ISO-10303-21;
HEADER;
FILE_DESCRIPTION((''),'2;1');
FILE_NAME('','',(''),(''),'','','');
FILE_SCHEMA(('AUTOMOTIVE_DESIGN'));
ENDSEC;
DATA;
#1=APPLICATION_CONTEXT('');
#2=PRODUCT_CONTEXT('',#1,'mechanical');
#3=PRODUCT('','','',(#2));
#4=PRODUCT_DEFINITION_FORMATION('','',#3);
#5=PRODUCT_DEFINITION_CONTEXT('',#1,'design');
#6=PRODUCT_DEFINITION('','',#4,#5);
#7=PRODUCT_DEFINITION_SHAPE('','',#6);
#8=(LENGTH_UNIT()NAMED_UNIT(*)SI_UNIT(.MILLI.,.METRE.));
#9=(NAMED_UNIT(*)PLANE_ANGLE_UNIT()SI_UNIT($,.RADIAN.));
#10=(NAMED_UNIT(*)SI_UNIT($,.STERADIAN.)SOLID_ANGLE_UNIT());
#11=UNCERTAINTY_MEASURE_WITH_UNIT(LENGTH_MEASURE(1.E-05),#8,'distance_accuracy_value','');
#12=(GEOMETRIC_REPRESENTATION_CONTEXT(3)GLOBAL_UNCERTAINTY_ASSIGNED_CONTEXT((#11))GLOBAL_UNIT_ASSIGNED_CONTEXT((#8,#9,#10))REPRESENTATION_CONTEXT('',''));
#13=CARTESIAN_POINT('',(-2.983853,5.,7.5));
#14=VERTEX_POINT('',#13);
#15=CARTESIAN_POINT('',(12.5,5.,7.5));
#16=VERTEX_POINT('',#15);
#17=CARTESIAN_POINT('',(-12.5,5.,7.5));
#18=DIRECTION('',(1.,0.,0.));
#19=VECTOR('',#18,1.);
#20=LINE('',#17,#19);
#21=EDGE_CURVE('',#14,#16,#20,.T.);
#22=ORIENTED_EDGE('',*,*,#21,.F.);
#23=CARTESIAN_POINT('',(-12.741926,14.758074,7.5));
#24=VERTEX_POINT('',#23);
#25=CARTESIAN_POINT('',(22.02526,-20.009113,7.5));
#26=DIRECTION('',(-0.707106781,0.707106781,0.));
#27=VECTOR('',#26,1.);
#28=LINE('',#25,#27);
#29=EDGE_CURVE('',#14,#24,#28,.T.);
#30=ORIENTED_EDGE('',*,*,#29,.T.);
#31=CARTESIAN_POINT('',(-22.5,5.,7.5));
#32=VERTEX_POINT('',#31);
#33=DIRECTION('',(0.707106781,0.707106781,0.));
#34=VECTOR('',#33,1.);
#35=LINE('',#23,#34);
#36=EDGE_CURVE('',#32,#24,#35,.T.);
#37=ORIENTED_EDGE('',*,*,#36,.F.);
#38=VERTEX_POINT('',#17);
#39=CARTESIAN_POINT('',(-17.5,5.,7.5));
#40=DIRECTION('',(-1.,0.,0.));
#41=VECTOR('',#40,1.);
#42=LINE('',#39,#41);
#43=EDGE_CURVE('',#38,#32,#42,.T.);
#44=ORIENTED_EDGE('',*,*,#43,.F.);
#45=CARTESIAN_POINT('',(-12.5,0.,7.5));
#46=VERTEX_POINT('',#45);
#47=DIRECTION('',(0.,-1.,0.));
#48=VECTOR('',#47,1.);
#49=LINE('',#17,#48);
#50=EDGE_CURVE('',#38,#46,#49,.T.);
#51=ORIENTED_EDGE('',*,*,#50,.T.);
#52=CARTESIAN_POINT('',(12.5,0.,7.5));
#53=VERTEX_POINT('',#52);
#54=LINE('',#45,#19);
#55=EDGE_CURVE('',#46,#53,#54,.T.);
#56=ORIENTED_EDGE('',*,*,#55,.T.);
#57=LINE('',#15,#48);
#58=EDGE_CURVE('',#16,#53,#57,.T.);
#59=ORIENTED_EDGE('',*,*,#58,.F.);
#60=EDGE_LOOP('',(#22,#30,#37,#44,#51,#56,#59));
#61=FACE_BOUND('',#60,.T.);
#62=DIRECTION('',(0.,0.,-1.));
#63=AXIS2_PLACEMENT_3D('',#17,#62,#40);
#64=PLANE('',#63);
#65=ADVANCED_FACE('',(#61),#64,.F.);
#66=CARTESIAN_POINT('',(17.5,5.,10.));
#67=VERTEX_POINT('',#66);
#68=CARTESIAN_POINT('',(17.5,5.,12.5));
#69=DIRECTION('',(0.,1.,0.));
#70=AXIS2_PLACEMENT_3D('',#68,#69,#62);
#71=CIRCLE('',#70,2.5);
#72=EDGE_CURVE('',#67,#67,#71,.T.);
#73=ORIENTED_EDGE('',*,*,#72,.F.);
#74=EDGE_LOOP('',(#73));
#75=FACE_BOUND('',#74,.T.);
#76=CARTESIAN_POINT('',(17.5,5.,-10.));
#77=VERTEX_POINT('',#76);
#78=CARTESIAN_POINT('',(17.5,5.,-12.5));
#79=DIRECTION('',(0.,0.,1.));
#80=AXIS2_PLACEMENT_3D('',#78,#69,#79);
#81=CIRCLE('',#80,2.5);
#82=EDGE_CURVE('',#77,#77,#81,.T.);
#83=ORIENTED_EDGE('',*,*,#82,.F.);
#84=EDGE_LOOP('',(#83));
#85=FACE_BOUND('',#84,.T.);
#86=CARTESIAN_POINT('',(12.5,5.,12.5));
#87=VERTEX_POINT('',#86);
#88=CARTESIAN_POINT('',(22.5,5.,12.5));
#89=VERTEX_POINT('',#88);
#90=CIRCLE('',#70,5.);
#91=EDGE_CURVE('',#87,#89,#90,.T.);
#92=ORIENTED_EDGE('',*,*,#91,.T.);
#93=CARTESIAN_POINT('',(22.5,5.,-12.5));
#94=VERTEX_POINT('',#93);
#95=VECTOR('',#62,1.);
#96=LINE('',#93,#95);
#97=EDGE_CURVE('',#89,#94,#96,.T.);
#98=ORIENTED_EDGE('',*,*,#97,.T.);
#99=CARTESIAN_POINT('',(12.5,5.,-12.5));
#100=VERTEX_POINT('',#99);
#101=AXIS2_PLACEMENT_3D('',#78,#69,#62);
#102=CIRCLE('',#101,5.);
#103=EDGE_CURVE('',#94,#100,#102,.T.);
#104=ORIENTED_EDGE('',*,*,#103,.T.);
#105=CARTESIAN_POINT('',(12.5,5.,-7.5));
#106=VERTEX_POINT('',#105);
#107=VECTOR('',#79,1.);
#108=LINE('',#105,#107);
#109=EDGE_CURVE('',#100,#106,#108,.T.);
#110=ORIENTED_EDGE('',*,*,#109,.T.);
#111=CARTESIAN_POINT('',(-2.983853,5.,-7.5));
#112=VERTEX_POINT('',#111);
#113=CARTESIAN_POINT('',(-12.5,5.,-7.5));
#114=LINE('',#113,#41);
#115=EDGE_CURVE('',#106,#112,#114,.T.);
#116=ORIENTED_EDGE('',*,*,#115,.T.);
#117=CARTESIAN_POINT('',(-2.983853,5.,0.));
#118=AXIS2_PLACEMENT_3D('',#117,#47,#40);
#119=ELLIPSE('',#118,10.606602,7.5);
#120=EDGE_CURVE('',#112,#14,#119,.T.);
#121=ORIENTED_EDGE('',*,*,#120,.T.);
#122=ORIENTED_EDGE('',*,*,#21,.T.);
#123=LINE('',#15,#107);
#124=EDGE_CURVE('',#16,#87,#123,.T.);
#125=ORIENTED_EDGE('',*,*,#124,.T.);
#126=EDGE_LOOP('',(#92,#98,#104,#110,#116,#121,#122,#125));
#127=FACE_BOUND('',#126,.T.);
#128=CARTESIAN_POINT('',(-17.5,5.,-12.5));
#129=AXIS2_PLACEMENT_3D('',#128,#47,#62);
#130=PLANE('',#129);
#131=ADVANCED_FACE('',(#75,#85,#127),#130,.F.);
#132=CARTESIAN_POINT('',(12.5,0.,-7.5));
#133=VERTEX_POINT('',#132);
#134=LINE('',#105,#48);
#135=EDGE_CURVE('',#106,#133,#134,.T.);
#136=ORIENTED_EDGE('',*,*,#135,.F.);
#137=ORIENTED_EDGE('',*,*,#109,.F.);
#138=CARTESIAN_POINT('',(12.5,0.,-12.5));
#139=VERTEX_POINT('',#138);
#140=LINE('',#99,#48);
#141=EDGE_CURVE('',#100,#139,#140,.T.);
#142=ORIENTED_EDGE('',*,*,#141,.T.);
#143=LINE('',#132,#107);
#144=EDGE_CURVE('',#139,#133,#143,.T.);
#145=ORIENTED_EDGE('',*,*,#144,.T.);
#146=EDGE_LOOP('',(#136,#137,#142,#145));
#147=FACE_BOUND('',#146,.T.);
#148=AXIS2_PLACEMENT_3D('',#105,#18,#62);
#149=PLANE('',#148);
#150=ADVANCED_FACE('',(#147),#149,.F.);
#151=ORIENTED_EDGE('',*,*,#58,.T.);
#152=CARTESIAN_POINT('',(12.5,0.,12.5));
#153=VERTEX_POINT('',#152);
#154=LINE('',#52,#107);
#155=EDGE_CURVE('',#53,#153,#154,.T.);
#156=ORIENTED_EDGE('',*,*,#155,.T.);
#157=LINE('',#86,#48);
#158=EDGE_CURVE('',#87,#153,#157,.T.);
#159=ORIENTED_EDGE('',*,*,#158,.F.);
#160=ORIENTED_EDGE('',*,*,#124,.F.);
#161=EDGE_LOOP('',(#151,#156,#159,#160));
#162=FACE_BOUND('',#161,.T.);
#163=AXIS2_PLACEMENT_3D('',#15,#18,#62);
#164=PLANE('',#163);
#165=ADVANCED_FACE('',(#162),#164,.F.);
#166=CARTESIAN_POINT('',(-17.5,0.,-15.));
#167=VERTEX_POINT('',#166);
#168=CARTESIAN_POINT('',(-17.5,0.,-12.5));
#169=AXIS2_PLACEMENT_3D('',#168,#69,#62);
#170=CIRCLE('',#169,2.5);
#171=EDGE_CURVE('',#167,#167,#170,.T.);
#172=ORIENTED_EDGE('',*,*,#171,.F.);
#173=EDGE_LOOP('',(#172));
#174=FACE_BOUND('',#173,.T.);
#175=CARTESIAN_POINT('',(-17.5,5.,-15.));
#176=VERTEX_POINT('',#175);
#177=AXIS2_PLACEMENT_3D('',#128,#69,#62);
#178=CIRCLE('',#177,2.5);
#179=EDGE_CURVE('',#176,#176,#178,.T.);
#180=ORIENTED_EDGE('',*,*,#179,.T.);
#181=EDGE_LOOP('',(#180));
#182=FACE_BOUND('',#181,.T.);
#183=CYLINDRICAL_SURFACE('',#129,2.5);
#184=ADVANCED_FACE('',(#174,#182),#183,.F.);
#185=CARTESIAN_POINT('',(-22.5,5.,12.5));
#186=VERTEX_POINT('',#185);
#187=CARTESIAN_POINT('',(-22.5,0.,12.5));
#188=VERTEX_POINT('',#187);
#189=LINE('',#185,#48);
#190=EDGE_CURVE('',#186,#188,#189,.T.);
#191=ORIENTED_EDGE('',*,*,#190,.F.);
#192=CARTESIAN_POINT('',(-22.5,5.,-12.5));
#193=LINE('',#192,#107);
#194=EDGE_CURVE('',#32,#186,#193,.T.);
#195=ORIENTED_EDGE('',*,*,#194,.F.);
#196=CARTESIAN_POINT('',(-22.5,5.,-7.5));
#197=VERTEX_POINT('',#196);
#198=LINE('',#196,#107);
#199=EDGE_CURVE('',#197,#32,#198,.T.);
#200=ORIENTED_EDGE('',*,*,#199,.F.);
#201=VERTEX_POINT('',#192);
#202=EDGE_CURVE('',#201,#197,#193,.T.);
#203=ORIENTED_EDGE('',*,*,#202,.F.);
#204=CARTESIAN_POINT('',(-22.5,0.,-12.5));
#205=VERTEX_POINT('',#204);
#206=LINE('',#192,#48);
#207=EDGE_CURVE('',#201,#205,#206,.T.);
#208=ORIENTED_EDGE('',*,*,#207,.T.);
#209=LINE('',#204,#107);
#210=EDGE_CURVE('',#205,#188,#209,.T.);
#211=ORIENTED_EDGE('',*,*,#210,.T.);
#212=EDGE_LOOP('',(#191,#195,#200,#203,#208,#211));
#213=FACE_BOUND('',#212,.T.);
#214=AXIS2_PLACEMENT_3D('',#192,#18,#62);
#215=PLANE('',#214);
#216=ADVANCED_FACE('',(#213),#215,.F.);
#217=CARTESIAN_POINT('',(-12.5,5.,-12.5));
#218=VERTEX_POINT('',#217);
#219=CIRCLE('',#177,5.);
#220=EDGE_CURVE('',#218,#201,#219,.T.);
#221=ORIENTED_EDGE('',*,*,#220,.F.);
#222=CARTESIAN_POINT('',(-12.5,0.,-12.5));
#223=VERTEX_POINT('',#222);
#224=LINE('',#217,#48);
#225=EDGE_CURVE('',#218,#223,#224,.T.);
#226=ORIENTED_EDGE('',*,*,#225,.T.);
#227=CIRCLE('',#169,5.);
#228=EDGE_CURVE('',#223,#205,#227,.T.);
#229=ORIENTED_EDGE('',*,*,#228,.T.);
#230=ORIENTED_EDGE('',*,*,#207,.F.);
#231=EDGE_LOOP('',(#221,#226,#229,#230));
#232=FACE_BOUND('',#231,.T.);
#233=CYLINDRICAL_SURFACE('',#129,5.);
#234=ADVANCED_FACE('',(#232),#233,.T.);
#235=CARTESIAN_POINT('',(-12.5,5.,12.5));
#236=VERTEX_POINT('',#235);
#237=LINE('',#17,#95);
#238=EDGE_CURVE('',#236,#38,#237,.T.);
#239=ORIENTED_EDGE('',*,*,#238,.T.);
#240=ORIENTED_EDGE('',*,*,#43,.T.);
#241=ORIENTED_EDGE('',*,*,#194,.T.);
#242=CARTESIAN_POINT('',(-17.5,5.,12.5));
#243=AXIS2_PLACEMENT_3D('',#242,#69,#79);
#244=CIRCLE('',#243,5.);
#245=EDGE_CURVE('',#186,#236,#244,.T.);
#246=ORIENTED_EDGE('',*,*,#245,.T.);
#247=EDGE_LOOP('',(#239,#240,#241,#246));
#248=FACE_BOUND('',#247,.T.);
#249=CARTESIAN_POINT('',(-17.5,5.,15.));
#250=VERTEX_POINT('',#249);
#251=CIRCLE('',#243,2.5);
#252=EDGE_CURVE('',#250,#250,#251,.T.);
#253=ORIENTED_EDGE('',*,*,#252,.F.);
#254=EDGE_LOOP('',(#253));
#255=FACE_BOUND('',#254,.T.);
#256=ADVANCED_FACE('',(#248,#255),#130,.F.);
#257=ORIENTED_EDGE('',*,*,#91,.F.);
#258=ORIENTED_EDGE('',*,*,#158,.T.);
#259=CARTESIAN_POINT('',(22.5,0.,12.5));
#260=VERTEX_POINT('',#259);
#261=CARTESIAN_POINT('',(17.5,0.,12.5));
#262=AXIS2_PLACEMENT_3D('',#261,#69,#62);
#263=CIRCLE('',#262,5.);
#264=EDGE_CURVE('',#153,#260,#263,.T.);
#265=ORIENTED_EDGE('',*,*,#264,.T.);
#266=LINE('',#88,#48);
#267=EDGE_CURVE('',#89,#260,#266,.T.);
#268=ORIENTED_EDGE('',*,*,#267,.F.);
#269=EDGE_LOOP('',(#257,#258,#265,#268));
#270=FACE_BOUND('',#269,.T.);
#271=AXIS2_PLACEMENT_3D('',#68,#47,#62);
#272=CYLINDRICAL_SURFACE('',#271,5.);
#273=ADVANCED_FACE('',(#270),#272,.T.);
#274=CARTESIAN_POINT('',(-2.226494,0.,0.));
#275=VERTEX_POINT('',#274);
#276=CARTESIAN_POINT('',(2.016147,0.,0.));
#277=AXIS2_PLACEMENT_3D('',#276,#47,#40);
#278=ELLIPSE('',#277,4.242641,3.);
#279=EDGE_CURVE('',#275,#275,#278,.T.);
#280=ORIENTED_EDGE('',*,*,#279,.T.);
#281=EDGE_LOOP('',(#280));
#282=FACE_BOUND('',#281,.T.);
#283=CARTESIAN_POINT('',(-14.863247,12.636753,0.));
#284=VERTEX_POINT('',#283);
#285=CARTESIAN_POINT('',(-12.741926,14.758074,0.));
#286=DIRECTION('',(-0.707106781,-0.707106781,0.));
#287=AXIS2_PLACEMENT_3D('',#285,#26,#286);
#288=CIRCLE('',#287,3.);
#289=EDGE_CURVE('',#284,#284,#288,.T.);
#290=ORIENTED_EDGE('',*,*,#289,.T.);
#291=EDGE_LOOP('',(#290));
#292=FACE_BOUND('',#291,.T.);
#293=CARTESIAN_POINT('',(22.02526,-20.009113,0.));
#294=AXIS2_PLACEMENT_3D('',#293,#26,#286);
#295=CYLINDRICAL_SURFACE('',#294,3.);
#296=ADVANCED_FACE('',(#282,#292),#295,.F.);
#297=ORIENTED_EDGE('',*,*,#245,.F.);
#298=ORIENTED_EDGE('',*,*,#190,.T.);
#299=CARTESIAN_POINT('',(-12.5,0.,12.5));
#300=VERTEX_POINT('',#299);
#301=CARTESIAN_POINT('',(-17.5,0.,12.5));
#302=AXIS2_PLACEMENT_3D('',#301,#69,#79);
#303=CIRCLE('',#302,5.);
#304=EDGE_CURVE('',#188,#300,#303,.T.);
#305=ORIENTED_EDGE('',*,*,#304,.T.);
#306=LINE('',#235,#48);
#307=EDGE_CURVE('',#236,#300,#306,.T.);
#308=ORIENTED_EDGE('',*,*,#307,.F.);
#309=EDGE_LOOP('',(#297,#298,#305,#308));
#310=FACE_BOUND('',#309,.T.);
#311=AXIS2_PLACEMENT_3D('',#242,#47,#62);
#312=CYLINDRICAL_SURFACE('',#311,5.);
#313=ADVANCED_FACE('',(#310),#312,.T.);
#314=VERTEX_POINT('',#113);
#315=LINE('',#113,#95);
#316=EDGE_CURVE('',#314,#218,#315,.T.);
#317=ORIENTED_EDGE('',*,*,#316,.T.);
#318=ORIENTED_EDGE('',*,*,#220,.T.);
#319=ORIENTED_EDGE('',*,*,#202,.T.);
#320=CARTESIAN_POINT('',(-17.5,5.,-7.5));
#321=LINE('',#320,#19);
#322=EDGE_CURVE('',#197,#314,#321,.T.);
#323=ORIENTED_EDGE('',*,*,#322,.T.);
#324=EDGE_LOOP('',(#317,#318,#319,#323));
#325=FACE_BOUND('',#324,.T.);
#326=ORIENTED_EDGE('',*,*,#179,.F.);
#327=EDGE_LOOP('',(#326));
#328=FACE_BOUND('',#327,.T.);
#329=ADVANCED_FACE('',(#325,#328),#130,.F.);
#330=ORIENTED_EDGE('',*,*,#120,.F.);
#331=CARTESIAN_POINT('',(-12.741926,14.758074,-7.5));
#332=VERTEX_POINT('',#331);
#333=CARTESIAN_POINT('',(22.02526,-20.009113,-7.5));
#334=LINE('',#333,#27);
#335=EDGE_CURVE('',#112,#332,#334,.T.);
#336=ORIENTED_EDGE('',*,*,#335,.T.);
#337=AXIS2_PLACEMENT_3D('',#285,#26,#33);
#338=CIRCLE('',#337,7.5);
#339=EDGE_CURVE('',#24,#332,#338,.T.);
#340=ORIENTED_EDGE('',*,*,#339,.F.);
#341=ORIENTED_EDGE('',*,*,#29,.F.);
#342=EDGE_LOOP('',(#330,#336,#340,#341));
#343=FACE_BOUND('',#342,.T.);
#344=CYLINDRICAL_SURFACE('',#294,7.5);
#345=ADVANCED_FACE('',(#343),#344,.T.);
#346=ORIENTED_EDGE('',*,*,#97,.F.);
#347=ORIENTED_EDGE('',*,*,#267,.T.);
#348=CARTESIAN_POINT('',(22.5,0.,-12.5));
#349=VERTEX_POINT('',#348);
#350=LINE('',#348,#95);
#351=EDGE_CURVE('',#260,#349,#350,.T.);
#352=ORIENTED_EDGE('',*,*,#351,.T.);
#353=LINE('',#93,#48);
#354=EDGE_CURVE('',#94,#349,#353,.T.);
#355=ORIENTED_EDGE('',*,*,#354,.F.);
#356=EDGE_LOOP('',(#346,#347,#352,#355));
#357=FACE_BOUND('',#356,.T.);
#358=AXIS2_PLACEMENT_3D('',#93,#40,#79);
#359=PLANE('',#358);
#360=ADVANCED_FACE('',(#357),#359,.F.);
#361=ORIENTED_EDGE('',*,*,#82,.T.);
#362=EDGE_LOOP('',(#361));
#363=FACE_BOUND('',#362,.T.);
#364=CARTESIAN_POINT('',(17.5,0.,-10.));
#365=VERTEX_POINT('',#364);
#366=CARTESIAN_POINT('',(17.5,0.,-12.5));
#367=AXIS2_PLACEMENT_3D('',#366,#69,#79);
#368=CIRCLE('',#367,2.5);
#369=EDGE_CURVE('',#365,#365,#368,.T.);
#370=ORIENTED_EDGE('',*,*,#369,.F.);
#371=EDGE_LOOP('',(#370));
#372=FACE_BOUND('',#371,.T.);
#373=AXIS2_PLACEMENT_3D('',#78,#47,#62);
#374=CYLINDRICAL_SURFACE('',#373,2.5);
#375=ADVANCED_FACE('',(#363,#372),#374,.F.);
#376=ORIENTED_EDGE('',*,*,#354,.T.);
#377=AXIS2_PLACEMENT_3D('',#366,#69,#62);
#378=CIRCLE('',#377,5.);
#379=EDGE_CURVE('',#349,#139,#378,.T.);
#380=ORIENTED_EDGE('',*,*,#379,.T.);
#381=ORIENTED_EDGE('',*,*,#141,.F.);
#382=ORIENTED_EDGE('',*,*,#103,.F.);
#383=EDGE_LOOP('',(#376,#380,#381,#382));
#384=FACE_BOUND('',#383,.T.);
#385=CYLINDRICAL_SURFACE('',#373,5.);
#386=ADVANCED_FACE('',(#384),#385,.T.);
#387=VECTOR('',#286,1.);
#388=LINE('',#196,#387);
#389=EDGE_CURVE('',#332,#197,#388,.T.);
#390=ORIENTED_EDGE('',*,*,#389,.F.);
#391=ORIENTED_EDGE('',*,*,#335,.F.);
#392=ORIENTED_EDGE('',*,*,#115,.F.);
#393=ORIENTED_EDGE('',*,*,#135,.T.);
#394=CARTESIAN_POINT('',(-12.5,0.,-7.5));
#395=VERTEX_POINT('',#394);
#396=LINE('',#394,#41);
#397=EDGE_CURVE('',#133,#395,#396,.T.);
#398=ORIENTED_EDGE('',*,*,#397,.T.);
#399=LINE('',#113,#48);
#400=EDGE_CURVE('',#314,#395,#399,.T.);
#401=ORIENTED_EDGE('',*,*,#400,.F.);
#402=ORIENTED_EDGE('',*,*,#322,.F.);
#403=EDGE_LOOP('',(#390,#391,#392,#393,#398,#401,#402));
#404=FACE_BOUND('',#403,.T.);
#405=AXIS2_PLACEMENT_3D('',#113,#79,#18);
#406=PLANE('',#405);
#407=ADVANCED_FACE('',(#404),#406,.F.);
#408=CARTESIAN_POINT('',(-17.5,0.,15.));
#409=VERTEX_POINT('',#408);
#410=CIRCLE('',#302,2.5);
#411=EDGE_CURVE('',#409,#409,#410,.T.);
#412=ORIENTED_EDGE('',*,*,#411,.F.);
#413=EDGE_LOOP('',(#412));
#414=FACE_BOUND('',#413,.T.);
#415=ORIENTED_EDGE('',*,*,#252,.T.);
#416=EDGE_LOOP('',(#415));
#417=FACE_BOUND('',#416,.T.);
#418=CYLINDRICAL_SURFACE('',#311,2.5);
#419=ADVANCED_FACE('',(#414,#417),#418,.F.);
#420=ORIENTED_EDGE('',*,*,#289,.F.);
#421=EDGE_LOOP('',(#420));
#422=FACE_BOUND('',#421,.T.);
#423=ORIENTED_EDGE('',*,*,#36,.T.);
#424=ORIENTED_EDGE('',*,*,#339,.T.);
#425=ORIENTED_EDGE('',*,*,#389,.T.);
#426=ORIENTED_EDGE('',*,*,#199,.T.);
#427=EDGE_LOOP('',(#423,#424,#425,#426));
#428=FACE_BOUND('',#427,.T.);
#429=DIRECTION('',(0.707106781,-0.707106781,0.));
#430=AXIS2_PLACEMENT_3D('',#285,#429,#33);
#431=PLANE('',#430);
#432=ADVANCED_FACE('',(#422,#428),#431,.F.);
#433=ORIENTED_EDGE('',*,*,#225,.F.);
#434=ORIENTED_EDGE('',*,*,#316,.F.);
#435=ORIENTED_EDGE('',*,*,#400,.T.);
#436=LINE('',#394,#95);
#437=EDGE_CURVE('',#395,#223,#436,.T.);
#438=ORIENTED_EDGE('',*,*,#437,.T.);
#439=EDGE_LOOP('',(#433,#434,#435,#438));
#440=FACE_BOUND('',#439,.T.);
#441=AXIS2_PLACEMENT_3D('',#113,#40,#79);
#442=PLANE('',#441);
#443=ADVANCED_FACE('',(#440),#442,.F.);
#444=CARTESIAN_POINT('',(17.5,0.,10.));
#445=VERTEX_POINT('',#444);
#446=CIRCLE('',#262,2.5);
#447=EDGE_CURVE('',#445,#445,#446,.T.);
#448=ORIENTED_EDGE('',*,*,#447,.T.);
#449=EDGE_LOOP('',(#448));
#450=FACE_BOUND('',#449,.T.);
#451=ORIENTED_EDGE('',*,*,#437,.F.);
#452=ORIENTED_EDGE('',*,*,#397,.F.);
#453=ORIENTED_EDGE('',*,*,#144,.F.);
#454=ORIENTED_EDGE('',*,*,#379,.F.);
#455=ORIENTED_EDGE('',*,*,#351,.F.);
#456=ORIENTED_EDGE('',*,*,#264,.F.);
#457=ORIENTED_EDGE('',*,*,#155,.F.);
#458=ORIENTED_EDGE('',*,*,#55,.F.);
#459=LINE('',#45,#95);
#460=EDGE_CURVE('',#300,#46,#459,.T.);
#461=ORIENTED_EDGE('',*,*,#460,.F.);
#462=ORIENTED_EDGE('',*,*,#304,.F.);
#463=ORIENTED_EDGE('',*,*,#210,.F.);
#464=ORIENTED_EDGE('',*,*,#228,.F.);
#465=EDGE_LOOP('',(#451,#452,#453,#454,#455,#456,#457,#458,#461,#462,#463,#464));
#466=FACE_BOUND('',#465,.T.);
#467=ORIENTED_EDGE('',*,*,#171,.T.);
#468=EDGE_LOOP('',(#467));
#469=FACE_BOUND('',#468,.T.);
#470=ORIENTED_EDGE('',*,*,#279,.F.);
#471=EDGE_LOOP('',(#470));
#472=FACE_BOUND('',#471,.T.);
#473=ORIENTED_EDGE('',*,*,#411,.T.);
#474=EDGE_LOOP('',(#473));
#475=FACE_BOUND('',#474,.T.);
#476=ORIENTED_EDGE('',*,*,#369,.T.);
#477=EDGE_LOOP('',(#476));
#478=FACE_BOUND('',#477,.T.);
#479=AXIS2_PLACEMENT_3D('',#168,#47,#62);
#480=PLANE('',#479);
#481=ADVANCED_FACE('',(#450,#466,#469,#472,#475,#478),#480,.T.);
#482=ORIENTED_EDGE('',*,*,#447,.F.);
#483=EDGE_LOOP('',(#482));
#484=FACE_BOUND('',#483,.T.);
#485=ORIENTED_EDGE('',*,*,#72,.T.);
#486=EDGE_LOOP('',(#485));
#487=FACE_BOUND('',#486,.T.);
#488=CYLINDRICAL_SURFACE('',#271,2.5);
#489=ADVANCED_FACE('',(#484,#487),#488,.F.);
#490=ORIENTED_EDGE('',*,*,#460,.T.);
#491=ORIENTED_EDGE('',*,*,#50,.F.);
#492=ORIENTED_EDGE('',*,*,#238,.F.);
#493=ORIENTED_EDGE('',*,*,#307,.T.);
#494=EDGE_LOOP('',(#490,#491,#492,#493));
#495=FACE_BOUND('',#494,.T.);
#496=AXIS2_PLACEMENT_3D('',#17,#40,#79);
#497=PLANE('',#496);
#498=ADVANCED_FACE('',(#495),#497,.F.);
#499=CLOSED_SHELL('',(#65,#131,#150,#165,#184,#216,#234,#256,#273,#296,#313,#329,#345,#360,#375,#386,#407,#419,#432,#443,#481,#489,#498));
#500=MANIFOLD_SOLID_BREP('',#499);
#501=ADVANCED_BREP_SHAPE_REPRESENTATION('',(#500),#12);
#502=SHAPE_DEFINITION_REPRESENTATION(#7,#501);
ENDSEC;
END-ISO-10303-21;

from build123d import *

# Parameters (mm, degrees)
SKETCH_1_R          = 2.5
EXTRUDE_1_DEPTH     = 5
EXTRUDE_3_REACH     = 37.355
SKETCH_6_R          = 3
SKETCH_9_R          = 3
CUT_EXTRUDE_2_DEPTH = 36.355339059


with BuildPart() as part:
    # 草圖1 → 填料-伸長1 (new body)
    with BuildSketch(Plane(origin=(0, 0, 0), x_dir=(1, 0, 0), z_dir=(0, 1, 0))):
        with BuildLine():
            Line((-12.5, 7.5), (12.5, 7.5))
            Line((12.5, 7.5), (12.5, 12.5))
            ThreePointArc((12.5, 12.5), (17.5, 17.5), (22.5, 12.5))
            Line((22.5, 12.5), (22.5, -12.5))
            ThreePointArc((22.5, -12.5), (17.5, -17.5), (12.5, -12.5))
            Line((12.5, -12.5), (12.5, -7.5))
            Line((12.5, -7.5), (-12.5, -7.5))
            Line((-12.5, -7.5), (-12.5, -12.5))
            ThreePointArc((-12.5, -12.5), (-17.5, -17.5), (-22.5, -12.5))
            Line((-22.5, -12.5), (-22.5, 12.5))
            ThreePointArc((-22.5, 12.5), (-17.5, 17.5), (-12.5, 12.5))
            Line((-12.5, 12.5), (-12.5, 7.5))
        make_face()
        with Locations((-17.5, -12.5)):
            Circle(SKETCH_1_R, mode=Mode.SUBTRACT)
        with Locations((-17.5, 12.5)):
            Circle(SKETCH_1_R, mode=Mode.SUBTRACT)
        with Locations((17.5, -12.5)):
            Circle(SKETCH_1_R, mode=Mode.SUBTRACT)
        with Locations((17.5, 12.5)):
            Circle(SKETCH_1_R, mode=Mode.SUBTRACT)
    extrude(amount=EXTRUDE_1_DEPTH)

    # 填料-伸長3: up to this face of the body (flat: up to its plane)
    extrude_3_end = Plane(part.part.faces().sort_by_distance((0, 0, 0))[0])
    # 草圖6 → 填料-伸長3 (add, up to the picked face)
    with BuildSketch(Plane(origin=(-13.75, 13.75, 0), x_dir=(0, 0, 1), z_dir=(-0.707106781, 0.707106781, 0)), mode=Mode.PRIVATE) as extrude_3_sk1:
        with BuildLine():
            Line((-7.5, -12.374368671), (-7.5, 1.425631329))
            ThreePointArc((-7.5, 1.425631329), (0, 8.925631329), (7.5, 1.425631329))
            Line((7.5, 1.425631329), (7.5, -12.374368671))
            Line((7.5, -12.374368671), (-7.5, -12.374368671))
        make_face()
        with Locations((0, 1.425631329)):
            Circle(SKETCH_6_R, mode=Mode.SUBTRACT)
    extrude_3_tool1 = split(extrude(extrude_3_sk1.sketch, amount=-EXTRUDE_3_REACH, mode=Mode.PRIVATE), bisect_by=extrude_3_end, keep=Keep.BOTH, mode=Mode.PRIVATE)
    add(extrude_3_tool1.solids().sort_by_distance((-15.778761, 11.721239, 0))[0])

    # 草圖9 → 除料-伸長2 (cut, through all)
    with BuildSketch(Plane(origin=(-13.75, 13.75, 0), x_dir=(0, 0, 1), z_dir=(-0.707106781, 0.707106781, 0))):
        with Locations((0, 1.425631329)):
            Circle(SKETCH_9_R)
    extrude(amount=-CUT_EXTRUDE_2_DEPTH, mode=Mode.SUBTRACT)


solid = part.part
